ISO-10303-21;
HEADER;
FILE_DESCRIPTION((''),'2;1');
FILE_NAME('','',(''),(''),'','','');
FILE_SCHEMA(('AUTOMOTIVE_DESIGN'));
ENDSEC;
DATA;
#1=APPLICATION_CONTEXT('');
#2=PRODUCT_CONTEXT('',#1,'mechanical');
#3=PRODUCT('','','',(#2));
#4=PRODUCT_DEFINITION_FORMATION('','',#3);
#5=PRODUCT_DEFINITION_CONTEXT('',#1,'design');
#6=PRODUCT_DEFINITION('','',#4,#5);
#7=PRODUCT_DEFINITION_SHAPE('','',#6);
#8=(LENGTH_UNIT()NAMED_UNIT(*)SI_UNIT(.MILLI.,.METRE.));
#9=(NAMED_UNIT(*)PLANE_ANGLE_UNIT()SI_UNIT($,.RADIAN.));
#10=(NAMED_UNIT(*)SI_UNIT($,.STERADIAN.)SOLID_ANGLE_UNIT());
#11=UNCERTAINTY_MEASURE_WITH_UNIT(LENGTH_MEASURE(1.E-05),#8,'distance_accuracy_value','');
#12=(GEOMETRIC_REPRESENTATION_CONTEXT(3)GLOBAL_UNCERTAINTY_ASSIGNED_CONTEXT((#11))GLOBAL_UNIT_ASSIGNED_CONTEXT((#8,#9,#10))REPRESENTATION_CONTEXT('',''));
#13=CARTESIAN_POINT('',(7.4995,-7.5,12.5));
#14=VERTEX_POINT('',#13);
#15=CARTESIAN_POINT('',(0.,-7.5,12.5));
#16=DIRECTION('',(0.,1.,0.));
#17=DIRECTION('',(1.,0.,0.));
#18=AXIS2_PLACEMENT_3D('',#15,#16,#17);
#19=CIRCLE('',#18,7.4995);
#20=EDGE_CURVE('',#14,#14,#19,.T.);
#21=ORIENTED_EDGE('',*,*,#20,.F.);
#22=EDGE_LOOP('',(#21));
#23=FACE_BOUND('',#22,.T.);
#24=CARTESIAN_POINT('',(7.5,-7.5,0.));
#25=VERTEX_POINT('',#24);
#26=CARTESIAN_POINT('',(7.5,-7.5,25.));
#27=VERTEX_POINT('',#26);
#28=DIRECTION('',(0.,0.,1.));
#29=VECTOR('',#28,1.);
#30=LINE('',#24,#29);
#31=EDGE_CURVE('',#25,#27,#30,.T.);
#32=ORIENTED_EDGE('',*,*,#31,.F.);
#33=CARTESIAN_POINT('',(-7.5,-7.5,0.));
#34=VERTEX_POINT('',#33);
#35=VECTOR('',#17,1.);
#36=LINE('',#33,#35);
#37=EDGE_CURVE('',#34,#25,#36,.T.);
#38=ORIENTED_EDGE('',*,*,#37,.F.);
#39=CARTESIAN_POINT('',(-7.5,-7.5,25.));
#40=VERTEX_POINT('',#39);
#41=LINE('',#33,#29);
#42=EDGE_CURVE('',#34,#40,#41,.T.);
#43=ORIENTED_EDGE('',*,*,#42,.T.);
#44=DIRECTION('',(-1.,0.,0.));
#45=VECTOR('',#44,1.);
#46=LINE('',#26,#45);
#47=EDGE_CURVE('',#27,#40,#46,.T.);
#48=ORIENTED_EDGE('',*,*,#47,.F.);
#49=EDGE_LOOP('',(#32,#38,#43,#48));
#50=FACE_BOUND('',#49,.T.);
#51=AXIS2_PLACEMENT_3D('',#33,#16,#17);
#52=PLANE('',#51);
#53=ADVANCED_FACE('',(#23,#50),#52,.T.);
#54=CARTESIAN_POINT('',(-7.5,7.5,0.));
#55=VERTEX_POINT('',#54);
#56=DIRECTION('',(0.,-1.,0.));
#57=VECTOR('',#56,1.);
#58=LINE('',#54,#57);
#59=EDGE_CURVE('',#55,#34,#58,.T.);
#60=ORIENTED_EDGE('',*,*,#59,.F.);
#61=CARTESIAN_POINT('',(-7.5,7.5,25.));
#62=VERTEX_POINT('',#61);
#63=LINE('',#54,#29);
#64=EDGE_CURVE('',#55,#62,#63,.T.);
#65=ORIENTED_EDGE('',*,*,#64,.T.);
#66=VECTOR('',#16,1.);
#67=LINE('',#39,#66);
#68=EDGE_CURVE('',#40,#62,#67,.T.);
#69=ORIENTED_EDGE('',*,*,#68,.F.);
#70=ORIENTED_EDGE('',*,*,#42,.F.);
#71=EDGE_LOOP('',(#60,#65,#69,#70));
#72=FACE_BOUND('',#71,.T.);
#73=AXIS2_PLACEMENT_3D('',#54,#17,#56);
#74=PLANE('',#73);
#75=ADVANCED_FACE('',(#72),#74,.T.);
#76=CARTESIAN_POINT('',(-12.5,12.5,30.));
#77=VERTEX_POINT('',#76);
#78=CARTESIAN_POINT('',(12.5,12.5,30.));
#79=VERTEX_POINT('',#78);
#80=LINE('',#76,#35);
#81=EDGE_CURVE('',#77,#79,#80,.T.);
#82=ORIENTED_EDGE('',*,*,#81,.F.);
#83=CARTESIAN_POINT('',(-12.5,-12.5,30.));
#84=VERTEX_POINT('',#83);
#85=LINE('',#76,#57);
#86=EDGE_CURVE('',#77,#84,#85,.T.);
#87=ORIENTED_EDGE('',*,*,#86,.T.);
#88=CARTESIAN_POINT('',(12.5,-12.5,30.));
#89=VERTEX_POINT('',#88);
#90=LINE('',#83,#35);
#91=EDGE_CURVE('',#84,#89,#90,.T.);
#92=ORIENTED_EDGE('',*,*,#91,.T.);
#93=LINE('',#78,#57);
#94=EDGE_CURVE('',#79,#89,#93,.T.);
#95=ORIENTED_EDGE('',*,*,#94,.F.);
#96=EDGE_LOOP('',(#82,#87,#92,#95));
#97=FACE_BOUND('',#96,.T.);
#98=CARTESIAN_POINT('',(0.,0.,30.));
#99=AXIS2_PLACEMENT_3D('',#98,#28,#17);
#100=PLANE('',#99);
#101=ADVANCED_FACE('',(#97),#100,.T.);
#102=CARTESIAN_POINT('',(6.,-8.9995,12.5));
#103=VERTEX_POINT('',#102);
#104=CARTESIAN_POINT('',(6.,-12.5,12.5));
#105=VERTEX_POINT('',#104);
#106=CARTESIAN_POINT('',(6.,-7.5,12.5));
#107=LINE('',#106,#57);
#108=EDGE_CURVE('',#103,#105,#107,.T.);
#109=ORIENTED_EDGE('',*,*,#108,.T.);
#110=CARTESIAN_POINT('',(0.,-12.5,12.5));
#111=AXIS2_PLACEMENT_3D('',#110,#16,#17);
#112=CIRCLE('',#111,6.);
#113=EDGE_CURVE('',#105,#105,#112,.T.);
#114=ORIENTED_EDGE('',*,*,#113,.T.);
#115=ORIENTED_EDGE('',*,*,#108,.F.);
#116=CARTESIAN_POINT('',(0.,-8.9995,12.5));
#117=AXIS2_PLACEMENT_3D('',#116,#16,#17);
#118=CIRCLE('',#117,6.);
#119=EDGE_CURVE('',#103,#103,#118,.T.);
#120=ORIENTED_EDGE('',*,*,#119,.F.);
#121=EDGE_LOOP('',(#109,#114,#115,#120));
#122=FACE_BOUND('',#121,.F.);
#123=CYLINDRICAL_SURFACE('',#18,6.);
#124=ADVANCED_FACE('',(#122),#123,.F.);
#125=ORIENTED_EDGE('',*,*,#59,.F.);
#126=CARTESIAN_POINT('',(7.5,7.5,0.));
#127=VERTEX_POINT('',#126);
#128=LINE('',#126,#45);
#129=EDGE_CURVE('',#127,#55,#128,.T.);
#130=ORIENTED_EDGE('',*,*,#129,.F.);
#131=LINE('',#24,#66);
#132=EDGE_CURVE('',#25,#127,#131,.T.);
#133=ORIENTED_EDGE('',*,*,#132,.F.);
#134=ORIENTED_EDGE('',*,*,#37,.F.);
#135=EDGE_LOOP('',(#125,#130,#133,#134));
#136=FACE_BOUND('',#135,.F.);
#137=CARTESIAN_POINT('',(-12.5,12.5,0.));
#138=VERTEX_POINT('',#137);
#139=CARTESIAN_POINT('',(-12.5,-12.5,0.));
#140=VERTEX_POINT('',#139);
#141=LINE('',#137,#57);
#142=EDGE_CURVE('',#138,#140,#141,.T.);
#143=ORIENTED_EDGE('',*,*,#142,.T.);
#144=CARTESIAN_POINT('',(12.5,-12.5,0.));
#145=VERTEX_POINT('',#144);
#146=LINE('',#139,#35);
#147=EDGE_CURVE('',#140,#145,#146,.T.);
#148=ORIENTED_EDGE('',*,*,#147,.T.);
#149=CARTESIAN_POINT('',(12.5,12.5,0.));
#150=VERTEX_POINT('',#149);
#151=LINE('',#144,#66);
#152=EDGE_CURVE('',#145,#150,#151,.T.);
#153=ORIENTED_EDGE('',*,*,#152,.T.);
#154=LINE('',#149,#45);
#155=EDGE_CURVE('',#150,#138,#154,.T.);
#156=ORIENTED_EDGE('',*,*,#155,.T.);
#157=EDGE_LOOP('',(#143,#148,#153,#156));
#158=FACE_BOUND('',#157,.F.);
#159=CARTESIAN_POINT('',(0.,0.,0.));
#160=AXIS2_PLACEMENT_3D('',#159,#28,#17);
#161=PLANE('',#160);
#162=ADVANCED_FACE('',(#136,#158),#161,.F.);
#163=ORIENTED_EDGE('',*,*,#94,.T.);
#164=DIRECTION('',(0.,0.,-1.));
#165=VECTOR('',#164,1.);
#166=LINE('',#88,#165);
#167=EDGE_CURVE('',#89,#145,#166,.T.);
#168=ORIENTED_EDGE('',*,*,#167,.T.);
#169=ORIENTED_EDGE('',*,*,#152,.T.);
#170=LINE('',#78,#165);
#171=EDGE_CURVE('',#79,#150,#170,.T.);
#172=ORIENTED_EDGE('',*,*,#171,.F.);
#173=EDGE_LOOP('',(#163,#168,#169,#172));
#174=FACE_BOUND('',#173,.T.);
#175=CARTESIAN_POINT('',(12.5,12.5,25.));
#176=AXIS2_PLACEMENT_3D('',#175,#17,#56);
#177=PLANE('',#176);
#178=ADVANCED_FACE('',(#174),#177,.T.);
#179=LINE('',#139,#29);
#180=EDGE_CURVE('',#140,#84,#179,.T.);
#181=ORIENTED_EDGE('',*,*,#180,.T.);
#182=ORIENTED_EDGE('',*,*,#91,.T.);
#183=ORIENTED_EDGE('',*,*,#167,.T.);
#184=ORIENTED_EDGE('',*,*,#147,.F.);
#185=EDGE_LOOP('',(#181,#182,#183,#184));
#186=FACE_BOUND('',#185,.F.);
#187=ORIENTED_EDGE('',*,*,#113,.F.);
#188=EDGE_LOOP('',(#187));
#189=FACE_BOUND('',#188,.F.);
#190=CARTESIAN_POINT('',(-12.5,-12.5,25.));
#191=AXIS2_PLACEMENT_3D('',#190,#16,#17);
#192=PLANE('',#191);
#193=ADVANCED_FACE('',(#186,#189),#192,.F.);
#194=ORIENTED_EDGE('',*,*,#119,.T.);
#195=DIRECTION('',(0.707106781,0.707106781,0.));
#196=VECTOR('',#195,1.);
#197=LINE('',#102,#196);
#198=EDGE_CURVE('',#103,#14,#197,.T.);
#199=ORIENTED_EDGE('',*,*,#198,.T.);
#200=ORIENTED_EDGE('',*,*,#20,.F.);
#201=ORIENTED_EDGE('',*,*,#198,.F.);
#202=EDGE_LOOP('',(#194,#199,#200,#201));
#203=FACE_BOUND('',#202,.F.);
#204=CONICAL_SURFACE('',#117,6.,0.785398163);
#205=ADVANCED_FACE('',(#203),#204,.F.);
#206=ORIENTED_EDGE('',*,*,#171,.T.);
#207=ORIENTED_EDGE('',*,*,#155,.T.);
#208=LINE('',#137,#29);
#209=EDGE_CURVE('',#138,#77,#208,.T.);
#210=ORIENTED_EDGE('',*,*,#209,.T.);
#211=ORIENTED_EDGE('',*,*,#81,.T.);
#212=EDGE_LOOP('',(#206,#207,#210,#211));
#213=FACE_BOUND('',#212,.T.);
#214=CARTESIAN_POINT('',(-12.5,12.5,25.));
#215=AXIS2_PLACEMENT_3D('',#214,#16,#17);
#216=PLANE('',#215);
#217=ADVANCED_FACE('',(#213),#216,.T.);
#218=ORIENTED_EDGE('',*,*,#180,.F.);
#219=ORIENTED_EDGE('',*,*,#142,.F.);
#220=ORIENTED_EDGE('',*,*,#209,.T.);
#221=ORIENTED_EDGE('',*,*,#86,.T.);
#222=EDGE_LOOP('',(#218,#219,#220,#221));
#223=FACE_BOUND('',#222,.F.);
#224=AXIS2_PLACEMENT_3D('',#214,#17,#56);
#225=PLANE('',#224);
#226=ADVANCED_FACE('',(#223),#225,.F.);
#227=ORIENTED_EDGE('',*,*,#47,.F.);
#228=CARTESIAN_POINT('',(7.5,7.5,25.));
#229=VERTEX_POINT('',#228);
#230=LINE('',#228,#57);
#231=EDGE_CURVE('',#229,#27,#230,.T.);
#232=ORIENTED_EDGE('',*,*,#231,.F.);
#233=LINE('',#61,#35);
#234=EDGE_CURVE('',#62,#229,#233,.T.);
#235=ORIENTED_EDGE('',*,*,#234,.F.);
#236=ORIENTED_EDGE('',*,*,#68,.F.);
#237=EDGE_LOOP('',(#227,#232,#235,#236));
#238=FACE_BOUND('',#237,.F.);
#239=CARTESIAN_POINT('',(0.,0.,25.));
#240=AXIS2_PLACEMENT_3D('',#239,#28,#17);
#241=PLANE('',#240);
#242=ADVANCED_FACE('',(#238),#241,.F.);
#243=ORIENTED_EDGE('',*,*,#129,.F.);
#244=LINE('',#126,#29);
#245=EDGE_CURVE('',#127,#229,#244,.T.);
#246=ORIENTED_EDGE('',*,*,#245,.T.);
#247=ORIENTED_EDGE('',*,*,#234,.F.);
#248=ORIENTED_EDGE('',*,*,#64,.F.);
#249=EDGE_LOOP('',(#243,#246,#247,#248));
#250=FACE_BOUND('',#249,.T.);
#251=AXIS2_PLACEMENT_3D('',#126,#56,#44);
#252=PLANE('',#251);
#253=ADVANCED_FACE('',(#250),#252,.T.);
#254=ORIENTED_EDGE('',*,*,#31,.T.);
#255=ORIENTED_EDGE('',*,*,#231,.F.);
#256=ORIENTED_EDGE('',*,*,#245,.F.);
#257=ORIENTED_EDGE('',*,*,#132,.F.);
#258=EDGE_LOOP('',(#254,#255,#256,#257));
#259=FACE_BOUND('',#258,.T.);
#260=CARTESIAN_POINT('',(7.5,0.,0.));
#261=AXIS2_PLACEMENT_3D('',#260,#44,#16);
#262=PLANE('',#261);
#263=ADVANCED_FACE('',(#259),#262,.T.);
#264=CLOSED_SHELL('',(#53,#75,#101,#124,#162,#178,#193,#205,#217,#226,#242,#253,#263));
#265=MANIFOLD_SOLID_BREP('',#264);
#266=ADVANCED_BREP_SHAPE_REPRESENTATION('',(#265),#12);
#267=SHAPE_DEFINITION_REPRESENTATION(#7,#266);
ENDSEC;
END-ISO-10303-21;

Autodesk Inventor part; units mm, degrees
ref_plane "YZ Plane" through (0, 0, 0) normal (1, 0, 0) x (0, 1, 0)
ref_plane "XZ Plane" through (0, 0, 0) normal (0, 1, 0) x (-1, 0, 0)
ref_plane "XY Plane" through (0, 0, 0) normal (0, 0, 1) x (1, 0, 0)
sketch "Sketch2" plane through (0, 0, 0) normal (0, 0, 1) x (1, 0, 0)
  circle A0 centre (0, 0) radius 7.5
  line L0 (12.5, 12.5) -> (-12.5, 12.5)
  line L1 (-12.5, 12.5) -> (-12.5, -12.5)
  line L2 (-12.5, -12.5) -> (12.5, -12.5)
  line L3 (12.5, -12.5) -> (12.5, 12.5)
  line L4 (7.5, 7.5) -> (-7.5, 7.5)
  line L5 (-7.5, 7.5) -> (-7.5, -7.5)
  line L6 (-7.5, -7.5) -> (7.5, -7.5)
  line L7 (7.5, -7.5) -> (7.5, 7.5)
  dimension "d0" = 15
  dimension "d1" = 25
  dimension "d2" = 25
  dimension "d3" = 12.5
  dimension "d4" = 12.5
  dimension "d5" = 15
  dimension "d6" = 15
extrude "Extrusion1" add sketch "Sketch2" along normal blind 25
sketch "Sketch3" plane through (-7.5, -7.5, 0) normal (0, 1, 0) x (1, 0, 0)
  line L0 (15, 0) -> (15, -25) projected
  line L1 (0, 0) -> (0, -25) projected
  line L2 (15, -20) -> (0, -20)
  line L3 (0, -20) -> (0, -5)
  line L4 (0, -5) -> (15, -5)
  line L5 (15, -5) -> (15, -20)
  circle A0 centre (7.5, -12.5) radius 6
  point P0 (7.5, 0)
  dimension "d9" = 15
  dimension "d10" = 12
extrude "Extrusion2" cut sketch "Sketch3" against normal blind 5 contours A0
chamfer "Chamfer1" distance 1.5 angle 45 1 edges at (-6, -7.5, 12.5)
sketch "Sketch4" plane through (0, 0, 25) normal (0, 0, 1) x (1, 0, 0)
  line L0 (-12.5, 12.5) -> (-12.5, -12.5) projected
  line L1 (-12.5, -12.5) -> (12.5, -12.5) projected
  line L2 (-12.5, 12.5) -> (12.5, 12.5)
  line L3 (12.5, 12.5) -> (12.5, -12.5)
  line L4 (12.5, -12.5) -> (-12.5, -12.5)
  line L5 (-12.5, -12.5) -> (-12.5, 12.5)
  point P0 (0, 0)
extrude "Extrusion3" add sketch "Sketch4" along normal blind 5
equation "\"d3\" = 0.5 * d2"
equation "\"d4\" = 0.5 * d2"
properties part number "Example Slider"
